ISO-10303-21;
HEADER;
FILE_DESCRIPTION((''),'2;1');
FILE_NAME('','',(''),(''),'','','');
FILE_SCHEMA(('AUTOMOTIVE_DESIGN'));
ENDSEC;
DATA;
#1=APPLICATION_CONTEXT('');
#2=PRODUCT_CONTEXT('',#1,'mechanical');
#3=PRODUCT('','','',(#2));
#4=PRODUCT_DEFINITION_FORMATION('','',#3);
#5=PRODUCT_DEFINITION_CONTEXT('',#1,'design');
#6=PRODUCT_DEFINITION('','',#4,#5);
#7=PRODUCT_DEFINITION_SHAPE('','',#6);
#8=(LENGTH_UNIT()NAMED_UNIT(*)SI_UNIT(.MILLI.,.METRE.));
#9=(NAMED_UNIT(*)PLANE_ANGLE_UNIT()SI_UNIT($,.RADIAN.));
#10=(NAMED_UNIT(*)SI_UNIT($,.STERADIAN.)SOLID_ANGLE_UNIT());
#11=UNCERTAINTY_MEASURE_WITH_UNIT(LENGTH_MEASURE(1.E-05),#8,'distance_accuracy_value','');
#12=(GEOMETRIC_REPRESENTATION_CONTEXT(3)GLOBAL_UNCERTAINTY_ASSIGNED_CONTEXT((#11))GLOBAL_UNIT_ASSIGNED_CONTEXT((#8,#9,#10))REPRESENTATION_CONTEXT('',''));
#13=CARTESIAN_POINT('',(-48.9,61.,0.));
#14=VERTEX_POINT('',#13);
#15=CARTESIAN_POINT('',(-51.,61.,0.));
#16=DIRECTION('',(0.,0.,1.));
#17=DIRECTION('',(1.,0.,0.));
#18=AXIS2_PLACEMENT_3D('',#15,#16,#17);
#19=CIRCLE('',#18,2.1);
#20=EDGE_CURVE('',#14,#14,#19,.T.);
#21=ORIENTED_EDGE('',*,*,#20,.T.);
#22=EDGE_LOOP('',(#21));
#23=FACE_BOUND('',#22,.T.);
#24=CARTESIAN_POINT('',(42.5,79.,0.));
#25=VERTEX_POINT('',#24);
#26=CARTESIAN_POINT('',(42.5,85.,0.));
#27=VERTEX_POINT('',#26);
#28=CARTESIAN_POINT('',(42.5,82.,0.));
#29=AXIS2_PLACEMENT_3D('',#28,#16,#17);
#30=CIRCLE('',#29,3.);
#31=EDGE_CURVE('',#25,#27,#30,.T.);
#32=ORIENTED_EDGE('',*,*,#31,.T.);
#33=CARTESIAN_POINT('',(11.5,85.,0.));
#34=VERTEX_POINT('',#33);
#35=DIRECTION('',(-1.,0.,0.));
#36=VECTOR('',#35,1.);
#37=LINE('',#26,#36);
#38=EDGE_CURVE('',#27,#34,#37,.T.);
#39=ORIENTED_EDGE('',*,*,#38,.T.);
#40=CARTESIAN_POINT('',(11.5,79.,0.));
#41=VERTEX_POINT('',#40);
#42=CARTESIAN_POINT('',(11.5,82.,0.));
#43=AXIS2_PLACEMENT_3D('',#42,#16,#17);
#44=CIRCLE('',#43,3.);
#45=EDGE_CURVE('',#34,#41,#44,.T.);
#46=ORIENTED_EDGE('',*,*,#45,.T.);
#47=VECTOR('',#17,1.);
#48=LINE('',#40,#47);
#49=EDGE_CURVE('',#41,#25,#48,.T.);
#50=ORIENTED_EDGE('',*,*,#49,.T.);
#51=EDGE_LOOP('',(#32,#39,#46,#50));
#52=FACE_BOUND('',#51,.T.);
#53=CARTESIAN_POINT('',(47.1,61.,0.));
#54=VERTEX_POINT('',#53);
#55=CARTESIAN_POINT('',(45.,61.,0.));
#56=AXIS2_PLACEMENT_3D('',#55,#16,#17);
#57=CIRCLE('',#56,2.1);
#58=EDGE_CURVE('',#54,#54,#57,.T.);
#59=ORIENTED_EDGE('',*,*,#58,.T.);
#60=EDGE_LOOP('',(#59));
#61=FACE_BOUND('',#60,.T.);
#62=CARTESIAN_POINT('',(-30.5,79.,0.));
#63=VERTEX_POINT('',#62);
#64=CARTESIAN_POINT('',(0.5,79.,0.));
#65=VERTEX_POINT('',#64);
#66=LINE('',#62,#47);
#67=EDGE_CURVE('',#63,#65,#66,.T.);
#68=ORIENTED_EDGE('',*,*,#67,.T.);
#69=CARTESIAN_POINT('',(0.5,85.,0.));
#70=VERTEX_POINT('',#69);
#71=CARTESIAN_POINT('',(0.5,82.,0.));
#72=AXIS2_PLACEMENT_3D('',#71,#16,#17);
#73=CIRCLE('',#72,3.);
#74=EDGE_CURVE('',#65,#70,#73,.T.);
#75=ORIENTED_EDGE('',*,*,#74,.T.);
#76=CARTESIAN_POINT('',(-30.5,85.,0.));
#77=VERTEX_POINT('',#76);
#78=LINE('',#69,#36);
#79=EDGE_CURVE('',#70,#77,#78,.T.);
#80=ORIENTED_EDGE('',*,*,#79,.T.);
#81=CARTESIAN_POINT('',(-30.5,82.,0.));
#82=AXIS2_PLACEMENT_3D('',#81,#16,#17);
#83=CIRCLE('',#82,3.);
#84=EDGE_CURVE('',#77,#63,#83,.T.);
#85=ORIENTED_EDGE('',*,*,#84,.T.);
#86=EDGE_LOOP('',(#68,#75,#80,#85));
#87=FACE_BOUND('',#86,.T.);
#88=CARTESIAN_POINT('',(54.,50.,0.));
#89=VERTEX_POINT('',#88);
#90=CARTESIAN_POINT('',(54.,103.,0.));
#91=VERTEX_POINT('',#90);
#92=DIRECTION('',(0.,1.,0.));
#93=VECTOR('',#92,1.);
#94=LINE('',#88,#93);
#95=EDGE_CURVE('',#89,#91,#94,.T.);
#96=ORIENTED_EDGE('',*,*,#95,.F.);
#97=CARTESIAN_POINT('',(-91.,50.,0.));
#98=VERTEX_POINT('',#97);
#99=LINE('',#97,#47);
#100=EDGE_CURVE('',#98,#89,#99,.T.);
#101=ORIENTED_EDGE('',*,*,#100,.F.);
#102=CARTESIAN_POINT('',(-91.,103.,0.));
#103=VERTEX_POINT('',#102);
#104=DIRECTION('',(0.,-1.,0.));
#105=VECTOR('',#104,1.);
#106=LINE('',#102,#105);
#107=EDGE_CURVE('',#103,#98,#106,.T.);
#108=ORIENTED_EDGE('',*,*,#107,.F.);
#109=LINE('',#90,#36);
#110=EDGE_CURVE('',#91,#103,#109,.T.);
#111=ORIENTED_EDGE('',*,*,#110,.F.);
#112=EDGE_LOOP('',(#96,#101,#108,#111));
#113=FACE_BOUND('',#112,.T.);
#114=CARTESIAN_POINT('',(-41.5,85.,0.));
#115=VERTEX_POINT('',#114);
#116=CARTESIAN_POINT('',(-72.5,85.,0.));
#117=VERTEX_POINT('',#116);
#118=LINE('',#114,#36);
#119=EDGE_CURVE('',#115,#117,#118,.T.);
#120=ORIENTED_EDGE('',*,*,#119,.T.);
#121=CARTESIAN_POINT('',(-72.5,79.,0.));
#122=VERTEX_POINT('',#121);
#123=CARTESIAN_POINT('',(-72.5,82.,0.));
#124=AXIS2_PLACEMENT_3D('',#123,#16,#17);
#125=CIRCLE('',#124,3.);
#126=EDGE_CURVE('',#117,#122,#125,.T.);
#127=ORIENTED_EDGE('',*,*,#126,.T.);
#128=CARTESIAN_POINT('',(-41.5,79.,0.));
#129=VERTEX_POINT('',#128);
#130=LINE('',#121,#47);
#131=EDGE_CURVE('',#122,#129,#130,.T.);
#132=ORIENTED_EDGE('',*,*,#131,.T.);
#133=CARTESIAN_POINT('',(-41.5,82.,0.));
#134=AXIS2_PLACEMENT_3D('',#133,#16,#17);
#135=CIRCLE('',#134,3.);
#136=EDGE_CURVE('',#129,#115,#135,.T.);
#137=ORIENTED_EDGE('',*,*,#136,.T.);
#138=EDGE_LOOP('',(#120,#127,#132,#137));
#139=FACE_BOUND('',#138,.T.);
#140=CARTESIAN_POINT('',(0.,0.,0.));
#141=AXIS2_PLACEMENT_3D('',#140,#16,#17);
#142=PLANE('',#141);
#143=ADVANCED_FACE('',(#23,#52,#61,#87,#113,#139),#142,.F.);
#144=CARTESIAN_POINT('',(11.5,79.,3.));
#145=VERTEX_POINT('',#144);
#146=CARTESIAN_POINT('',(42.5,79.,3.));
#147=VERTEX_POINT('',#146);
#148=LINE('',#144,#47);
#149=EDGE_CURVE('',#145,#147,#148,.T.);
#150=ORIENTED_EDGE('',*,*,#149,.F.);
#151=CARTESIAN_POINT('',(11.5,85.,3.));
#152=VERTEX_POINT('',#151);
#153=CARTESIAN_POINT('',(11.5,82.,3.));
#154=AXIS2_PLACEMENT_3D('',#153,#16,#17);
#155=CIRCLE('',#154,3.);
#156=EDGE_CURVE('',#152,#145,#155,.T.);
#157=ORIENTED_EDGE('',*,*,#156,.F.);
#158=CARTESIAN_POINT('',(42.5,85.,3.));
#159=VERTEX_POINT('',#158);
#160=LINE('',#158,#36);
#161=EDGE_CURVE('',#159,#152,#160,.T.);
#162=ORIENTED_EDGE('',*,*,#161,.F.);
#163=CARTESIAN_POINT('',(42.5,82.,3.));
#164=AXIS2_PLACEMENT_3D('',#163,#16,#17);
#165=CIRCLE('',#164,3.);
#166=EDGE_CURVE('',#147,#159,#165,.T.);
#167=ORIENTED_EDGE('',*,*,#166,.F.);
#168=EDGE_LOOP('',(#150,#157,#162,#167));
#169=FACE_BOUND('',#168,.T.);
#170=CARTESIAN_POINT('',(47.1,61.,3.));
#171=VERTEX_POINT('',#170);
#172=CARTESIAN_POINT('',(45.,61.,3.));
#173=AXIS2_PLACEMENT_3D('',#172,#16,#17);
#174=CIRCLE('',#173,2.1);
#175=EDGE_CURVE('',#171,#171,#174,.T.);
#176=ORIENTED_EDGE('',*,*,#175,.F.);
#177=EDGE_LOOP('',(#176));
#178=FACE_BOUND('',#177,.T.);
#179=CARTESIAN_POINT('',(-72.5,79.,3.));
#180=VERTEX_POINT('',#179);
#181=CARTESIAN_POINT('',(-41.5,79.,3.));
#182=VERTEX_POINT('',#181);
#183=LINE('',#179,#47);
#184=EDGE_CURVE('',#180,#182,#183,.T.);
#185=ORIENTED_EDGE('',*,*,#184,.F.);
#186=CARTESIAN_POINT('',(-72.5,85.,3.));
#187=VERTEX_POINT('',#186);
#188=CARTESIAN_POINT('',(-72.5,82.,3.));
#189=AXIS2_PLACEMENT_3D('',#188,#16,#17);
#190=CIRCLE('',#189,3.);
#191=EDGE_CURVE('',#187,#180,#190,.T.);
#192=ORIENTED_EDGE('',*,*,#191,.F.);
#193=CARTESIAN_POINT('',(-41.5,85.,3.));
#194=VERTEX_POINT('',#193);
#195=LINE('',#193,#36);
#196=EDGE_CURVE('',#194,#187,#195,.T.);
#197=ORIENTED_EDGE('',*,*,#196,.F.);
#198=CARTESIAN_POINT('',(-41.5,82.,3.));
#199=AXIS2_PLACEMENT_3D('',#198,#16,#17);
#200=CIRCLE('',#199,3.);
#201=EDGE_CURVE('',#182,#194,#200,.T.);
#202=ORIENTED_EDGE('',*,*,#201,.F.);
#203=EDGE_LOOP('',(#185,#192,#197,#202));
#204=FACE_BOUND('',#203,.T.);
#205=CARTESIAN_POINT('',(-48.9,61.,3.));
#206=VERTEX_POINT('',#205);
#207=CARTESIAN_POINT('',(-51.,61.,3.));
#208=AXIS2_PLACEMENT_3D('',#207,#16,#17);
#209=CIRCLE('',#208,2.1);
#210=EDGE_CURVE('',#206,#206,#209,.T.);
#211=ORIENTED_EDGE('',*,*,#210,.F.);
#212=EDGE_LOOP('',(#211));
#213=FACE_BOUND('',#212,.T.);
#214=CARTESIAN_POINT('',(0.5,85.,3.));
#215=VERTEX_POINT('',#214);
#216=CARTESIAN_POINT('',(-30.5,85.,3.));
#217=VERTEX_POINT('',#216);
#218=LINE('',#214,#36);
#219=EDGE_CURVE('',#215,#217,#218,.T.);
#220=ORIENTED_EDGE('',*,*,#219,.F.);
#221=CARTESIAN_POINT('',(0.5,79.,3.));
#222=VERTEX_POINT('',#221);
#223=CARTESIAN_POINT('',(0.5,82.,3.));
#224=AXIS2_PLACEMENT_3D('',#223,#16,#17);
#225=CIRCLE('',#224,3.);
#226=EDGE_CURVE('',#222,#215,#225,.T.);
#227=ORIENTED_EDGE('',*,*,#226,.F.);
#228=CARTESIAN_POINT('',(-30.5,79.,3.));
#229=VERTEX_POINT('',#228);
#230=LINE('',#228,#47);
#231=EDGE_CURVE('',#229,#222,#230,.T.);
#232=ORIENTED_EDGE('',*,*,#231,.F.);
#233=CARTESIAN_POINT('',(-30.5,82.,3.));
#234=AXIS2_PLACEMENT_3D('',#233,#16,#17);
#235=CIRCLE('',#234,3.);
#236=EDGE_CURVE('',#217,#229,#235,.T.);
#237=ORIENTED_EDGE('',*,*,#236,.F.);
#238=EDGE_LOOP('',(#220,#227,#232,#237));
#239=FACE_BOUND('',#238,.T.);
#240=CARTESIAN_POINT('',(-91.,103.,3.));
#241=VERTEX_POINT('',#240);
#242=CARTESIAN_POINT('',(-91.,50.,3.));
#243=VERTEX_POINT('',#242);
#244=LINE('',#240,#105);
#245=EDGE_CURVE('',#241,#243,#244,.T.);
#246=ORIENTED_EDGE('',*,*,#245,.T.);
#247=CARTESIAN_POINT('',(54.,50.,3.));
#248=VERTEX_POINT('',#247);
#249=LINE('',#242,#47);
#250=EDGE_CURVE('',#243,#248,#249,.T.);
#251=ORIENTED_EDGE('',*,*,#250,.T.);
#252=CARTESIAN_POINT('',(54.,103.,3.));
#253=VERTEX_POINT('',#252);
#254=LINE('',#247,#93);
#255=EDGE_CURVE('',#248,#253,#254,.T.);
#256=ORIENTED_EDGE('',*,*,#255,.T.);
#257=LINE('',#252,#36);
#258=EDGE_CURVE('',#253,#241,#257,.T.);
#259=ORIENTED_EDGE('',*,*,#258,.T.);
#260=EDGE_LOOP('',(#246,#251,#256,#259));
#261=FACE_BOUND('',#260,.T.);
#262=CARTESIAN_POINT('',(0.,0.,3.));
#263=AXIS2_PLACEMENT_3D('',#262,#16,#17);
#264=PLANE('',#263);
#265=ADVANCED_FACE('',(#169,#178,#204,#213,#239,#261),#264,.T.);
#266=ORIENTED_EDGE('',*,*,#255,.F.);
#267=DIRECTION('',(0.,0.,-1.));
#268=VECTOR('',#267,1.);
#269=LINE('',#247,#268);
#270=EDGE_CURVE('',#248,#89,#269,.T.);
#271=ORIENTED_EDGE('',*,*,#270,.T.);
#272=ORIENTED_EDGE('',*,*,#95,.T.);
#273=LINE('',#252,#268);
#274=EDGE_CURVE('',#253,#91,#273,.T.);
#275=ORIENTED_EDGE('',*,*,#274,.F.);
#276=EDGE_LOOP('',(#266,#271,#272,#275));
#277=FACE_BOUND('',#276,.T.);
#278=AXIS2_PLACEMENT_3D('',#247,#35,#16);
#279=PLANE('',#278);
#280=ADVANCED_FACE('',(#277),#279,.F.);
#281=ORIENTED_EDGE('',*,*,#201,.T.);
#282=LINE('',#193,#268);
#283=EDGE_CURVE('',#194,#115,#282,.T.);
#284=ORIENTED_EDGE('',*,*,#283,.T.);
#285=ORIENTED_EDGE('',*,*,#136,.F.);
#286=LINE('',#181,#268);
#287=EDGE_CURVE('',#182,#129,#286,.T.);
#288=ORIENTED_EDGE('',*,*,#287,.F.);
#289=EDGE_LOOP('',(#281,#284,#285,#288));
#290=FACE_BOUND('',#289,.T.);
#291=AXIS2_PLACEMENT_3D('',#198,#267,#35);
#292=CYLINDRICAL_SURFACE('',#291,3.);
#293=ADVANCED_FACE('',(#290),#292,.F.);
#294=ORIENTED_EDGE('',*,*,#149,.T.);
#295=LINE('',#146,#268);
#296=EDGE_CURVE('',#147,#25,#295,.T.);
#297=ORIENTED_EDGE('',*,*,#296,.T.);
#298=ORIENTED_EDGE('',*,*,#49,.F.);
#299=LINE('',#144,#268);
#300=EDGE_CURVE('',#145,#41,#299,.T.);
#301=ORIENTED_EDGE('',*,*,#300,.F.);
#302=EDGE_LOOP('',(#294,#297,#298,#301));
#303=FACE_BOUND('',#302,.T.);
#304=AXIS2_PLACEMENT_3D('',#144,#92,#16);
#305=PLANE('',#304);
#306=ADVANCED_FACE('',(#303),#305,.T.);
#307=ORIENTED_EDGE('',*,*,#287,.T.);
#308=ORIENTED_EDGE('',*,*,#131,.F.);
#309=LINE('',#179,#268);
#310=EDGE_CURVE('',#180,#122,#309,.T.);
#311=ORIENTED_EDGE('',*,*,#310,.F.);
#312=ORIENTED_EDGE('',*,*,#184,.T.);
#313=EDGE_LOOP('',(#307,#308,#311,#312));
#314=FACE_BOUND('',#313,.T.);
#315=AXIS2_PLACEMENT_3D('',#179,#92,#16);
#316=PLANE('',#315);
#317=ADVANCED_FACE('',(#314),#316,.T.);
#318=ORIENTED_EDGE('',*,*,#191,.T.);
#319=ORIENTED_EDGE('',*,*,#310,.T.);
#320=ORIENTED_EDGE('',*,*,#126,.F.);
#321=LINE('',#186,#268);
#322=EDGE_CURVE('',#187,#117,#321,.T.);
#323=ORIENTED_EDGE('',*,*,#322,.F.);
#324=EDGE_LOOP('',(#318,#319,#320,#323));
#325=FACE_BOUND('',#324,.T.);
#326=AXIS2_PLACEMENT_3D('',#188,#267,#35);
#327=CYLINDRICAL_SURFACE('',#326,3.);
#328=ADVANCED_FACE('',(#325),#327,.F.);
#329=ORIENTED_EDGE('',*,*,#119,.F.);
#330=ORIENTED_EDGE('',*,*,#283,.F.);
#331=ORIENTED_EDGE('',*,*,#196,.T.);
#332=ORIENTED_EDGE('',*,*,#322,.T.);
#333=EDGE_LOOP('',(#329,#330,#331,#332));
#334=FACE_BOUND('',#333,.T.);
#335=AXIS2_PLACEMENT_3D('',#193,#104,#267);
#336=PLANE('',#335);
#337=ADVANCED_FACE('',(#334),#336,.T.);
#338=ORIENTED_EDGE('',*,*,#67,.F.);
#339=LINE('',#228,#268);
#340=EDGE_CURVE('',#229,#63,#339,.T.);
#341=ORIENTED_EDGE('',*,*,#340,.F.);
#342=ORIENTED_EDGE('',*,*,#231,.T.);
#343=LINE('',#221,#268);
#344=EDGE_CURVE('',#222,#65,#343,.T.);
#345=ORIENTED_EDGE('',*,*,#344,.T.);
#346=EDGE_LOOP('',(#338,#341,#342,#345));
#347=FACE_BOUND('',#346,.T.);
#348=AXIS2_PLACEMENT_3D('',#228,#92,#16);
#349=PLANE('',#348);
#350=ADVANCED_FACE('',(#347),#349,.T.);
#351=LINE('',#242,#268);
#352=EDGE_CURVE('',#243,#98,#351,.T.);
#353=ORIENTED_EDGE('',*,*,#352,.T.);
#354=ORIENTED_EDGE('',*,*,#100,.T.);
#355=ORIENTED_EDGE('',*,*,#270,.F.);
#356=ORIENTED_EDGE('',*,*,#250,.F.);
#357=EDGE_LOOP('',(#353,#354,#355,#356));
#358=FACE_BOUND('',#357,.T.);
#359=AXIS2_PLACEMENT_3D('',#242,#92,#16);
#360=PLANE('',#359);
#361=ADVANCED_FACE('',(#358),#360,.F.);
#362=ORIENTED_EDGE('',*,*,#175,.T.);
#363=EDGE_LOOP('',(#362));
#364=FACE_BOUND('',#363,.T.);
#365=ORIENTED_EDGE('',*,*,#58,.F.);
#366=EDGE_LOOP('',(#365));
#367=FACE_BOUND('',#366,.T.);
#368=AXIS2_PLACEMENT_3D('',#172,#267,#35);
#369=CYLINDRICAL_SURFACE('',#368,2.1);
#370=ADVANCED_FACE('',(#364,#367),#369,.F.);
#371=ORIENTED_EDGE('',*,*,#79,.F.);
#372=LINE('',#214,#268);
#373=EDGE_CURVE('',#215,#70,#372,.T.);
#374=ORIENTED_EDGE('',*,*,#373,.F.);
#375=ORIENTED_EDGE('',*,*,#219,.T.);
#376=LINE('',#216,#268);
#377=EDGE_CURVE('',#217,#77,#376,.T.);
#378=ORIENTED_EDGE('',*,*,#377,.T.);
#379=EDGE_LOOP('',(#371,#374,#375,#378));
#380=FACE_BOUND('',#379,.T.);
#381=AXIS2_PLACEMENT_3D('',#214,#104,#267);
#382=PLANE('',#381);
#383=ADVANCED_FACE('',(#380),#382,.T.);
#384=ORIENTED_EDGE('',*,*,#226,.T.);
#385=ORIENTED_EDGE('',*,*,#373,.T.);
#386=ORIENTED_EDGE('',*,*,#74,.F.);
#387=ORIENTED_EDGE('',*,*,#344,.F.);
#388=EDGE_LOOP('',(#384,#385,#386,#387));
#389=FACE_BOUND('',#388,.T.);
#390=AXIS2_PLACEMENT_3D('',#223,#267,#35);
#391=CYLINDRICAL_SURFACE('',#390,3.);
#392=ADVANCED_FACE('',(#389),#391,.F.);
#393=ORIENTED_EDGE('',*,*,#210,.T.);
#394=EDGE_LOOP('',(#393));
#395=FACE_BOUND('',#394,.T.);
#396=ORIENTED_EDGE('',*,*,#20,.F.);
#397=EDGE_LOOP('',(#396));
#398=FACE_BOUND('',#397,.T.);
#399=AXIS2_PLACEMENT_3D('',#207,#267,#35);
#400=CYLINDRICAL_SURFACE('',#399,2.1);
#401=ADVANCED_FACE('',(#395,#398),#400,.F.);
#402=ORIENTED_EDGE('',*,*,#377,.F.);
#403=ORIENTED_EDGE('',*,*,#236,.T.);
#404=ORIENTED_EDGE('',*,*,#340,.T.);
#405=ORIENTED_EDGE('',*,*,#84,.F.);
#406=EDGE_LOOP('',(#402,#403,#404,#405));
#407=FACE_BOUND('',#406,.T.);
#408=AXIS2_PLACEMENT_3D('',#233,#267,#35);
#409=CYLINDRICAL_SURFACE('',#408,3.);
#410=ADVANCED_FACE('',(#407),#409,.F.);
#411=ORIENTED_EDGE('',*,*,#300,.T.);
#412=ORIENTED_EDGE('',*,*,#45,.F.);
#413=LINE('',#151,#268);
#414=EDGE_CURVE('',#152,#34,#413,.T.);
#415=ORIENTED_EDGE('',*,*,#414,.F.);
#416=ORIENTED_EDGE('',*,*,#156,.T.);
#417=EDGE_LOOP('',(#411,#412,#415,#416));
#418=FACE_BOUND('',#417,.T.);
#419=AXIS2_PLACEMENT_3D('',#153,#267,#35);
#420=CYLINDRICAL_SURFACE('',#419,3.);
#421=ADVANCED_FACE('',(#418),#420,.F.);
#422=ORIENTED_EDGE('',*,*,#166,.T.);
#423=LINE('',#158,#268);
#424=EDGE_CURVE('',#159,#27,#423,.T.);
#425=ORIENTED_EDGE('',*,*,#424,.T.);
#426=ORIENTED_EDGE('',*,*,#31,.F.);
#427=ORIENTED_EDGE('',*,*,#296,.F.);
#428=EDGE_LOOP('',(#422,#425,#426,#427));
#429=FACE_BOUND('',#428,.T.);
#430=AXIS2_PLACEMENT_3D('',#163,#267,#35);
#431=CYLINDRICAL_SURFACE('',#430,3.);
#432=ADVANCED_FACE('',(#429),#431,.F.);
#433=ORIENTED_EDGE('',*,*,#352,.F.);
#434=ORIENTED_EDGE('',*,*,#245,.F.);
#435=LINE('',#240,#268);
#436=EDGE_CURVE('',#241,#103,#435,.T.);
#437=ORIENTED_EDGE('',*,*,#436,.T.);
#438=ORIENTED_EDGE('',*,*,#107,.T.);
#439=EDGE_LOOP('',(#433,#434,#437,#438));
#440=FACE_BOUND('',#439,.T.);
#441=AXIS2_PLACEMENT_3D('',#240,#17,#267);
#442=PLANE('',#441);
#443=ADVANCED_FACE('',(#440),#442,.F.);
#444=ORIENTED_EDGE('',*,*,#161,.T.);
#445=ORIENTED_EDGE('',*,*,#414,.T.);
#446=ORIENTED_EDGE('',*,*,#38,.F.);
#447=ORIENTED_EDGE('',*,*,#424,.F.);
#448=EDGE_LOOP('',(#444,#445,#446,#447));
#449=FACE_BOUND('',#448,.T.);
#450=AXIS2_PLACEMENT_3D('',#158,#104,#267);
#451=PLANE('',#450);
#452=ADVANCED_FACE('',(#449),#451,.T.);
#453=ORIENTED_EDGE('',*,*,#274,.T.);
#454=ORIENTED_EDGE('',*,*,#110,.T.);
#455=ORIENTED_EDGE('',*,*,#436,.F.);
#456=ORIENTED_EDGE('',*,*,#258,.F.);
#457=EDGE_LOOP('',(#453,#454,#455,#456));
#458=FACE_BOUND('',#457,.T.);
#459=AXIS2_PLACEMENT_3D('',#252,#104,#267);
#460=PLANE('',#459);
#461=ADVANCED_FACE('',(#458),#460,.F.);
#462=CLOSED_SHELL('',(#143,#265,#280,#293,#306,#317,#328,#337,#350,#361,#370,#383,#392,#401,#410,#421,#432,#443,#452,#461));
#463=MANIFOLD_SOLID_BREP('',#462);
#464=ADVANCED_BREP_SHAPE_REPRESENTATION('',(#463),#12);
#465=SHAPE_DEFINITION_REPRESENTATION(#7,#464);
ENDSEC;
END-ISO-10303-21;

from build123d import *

# Parameters (mm, degrees)
LID_RISER_WITH_VENTS_PROFILE_W = 145
LID_RISER_WITH_VENTS_PROFILE_H = 53
LID_RISER_WITH_VENTS_PROFILE_R = 2.1
LID_RISER_WITH_VENTS_DEPTH     = 3


with BuildPart() as part:
    # Lid riser with vents profile → Lid riser with vents (new body)
    with BuildSketch(Plane.XY):
        with Locations((-18.5, 76.5)):
            Rectangle(LID_RISER_WITH_VENTS_PROFILE_W, LID_RISER_WITH_VENTS_PROFILE_H)
        with Locations((-51, 61)):
            Circle(LID_RISER_WITH_VENTS_PROFILE_R, mode=Mode.SUBTRACT)
        with Locations((45, 61)):
            Circle(LID_RISER_WITH_VENTS_PROFILE_R, mode=Mode.SUBTRACT)
        with BuildLine():
            Line((-72.5, 79), (-41.5, 79))
            ThreePointArc((-41.5, 79), (-38.5, 82), (-41.5, 85))
            Line((-41.5, 85), (-72.5, 85))
            ThreePointArc((-72.5, 85), (-75.5, 82), (-72.5, 79))
        make_face(mode=Mode.SUBTRACT)
        with BuildLine():
            Line((-30.5, 79), (0.5, 79))
            ThreePointArc((0.5, 79), (3.5, 82), (0.5, 85))
            Line((0.5, 85), (-30.5, 85))
            ThreePointArc((-30.5, 85), (-33.5, 82), (-30.5, 79))
        make_face(mode=Mode.SUBTRACT)
        with BuildLine():
            Line((11.5, 79), (42.5, 79))
            ThreePointArc((42.5, 79), (45.5, 82), (42.5, 85))
            Line((42.5, 85), (11.5, 85))
            ThreePointArc((11.5, 85), (8.5, 82), (11.5, 79))
        make_face(mode=Mode.SUBTRACT)
    extrude(amount=LID_RISER_WITH_VENTS_DEPTH)


solid = part.part
